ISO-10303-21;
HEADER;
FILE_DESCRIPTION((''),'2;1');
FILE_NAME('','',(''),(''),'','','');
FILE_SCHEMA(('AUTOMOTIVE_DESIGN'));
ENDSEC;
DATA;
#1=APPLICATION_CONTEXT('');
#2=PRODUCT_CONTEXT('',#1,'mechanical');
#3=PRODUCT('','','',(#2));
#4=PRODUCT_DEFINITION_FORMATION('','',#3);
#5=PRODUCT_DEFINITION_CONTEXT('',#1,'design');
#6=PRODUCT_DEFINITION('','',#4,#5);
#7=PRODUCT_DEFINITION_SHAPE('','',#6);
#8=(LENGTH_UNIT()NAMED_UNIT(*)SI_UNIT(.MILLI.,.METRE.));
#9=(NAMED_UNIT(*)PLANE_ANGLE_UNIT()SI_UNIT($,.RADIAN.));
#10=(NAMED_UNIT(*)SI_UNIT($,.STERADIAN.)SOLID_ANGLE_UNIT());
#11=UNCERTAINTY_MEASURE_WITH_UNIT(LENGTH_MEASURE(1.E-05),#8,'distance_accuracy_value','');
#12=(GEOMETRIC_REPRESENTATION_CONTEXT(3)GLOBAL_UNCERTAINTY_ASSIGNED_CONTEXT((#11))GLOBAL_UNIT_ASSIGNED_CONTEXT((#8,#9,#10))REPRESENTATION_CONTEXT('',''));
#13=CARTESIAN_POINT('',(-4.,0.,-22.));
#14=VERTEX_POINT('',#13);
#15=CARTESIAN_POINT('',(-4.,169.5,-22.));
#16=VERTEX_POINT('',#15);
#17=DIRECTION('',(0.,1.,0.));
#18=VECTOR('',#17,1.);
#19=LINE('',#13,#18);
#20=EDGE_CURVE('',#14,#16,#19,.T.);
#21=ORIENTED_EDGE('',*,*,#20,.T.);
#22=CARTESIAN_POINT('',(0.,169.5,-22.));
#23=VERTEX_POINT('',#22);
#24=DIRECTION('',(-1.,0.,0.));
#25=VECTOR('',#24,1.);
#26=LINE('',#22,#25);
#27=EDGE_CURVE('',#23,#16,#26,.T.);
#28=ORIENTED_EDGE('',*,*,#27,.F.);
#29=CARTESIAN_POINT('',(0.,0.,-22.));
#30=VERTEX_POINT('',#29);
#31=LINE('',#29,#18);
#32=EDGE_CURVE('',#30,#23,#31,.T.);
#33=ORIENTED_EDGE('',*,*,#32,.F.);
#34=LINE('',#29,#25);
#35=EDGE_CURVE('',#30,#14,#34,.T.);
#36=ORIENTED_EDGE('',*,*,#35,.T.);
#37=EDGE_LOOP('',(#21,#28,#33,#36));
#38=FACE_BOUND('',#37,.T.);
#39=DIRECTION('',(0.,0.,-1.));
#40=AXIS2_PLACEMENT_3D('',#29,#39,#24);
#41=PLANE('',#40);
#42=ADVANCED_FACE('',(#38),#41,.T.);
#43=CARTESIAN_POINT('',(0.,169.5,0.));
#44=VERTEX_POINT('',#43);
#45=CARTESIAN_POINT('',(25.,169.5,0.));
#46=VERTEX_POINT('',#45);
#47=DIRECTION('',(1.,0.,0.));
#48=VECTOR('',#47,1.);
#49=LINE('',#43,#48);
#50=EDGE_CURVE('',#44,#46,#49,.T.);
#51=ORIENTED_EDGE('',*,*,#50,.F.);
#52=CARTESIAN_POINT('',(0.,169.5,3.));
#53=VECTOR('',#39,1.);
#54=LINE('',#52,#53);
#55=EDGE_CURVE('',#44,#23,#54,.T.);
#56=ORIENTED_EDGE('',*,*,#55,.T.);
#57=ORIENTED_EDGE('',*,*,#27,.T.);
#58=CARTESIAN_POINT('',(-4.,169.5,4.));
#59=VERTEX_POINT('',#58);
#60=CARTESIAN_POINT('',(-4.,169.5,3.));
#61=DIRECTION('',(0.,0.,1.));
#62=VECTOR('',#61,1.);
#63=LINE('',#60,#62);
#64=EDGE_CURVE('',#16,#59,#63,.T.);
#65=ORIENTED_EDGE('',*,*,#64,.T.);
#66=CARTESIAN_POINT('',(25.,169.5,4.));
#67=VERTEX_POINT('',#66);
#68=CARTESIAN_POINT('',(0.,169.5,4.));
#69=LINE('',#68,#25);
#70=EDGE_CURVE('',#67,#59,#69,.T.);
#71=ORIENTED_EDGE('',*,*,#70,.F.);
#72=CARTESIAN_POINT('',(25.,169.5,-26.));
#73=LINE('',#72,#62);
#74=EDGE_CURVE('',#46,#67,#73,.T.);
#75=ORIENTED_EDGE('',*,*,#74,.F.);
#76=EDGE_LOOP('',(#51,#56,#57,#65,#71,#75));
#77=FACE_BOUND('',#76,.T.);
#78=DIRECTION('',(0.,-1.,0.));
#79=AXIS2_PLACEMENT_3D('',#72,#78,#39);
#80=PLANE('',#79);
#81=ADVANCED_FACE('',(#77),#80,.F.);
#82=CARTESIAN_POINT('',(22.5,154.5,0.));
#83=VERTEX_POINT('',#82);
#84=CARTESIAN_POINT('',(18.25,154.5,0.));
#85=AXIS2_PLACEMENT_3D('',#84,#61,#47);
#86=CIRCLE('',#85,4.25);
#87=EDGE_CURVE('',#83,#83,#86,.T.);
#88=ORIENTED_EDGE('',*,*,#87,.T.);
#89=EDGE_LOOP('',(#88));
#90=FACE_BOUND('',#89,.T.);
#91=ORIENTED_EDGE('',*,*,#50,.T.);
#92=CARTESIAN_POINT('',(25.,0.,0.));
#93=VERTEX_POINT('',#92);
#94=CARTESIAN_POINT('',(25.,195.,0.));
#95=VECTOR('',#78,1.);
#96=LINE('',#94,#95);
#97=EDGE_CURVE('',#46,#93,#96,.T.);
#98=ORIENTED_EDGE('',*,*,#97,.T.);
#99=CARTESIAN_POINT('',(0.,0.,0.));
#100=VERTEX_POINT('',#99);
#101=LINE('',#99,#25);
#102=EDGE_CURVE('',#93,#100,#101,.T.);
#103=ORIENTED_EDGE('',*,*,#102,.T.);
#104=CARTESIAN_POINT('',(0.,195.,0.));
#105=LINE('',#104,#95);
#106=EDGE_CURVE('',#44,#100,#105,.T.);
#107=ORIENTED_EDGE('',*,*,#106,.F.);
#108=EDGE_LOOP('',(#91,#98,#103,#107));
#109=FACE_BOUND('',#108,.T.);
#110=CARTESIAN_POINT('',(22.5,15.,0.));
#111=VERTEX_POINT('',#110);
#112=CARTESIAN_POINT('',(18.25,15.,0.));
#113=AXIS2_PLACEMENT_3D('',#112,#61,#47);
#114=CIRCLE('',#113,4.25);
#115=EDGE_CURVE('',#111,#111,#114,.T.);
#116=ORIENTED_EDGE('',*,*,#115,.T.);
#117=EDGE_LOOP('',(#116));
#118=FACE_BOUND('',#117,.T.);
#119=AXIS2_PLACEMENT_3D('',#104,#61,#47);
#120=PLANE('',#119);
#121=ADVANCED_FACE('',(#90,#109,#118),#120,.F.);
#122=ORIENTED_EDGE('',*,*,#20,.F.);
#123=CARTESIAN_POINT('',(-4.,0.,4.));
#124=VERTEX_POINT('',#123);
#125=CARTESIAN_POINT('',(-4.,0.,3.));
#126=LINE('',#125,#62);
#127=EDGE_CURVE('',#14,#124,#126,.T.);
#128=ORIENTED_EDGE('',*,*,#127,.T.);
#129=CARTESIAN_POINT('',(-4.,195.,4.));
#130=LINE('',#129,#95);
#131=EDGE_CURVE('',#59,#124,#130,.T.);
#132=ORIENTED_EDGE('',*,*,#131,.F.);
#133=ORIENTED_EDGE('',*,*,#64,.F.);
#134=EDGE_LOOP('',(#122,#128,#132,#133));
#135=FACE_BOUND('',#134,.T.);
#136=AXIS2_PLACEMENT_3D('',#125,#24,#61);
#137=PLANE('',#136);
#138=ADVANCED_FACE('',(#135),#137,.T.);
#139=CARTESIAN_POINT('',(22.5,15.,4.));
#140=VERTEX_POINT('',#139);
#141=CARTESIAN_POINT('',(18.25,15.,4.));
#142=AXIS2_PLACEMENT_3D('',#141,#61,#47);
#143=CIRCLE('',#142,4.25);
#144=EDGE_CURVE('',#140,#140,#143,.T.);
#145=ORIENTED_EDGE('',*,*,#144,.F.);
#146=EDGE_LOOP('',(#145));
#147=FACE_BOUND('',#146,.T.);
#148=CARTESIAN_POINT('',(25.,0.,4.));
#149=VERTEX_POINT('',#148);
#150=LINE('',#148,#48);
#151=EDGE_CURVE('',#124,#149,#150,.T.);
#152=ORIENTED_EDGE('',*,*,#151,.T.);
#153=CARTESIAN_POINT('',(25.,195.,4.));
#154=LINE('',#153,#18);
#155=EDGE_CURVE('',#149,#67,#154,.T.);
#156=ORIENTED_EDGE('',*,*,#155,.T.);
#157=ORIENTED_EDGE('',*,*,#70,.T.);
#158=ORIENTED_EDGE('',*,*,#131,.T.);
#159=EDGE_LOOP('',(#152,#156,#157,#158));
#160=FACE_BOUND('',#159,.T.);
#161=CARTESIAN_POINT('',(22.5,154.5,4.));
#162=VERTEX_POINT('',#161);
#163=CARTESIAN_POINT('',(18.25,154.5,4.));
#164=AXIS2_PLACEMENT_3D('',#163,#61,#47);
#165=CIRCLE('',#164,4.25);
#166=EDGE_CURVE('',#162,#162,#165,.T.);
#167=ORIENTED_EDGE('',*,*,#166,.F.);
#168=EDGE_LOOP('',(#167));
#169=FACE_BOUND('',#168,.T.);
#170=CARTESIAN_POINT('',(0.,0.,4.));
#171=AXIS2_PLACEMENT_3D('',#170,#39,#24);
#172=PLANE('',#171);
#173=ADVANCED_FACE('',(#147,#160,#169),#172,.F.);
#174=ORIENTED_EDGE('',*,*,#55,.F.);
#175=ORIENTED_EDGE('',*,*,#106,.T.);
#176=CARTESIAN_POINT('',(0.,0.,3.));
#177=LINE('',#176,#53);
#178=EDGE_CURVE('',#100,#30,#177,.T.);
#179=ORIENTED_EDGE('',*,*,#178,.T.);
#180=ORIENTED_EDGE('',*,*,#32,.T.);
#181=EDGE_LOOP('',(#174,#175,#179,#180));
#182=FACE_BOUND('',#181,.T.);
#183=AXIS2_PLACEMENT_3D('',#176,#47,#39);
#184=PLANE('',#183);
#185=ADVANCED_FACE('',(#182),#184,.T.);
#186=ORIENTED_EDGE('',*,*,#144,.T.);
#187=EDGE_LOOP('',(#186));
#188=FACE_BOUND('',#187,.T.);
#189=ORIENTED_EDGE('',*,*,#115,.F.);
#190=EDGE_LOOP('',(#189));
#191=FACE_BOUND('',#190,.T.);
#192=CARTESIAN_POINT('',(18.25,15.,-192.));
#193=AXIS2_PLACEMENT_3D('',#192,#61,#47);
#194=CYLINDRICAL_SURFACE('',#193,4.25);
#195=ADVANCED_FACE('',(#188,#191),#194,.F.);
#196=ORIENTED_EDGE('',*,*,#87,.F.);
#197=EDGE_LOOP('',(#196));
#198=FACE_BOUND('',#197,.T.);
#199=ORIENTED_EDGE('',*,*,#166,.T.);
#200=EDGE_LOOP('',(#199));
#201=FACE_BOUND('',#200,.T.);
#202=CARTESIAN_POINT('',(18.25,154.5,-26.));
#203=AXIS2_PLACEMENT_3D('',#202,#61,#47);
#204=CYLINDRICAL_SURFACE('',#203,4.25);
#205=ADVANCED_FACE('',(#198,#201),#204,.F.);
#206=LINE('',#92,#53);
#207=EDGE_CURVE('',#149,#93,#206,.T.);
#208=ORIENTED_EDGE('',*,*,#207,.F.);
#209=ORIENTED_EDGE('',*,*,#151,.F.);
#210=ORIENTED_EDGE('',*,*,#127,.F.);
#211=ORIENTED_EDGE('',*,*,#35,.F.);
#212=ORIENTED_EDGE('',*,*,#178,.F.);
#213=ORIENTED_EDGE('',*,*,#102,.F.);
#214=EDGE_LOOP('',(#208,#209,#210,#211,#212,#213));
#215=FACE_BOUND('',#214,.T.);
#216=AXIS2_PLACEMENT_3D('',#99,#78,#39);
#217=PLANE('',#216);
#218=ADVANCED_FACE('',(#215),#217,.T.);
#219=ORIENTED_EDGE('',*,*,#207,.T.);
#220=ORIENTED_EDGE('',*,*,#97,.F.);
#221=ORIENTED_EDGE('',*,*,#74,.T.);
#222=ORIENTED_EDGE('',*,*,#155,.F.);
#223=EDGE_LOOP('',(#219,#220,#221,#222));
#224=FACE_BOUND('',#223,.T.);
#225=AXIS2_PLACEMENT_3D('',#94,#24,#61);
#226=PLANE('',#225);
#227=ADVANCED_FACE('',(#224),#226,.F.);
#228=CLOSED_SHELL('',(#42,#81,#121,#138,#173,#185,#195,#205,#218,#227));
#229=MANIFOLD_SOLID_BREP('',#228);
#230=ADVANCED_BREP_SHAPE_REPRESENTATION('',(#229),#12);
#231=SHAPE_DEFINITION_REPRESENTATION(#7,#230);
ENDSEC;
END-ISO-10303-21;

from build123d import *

# Parameters (mm, degrees)
CROQUIS1_W              = 25
CROQUIS1_H              = 3
SALIENTE_EXTRUIR1_DEPTH = 195
CROQUIS2_R              = 4.25
CORTAR_EXTRUIR1_DEPTH   = 195
CROQUIS3_W              = 4
CROQUIS3_H              = 25
SALIENTE_EXTRUIR2_DEPTH = 195
SALIENTE_EXTRUIR3_START = 1
CROQUIS4_W              = 29
CROQUIS4_H              = 195
CROQUIS4_R              = 4.25
SALIENTE_EXTRUIR3_DEPTH = 1
CROQUIS5_W              = 80.668780501
CROQUIS5_H              = 25.5
CORTAR_EXTRUIR2_DEPTH   = 30
CROQUIS6_R              = 4.25
CORTAR_EXTRUIR3_DEPTH   = 30
CROQUIS7_R              = 4.25
SALIENTE_EXTRUIR4_DEPTH = 4


with BuildPart() as part:
    # Croquis1 → Saliente-Extruir1 (new body)
    with BuildSketch(Plane(origin=(0, 0, 0), x_dir=(1, 0, 0), z_dir=(0, 1, 0))):
        with Locations((12.5, -1.5)):
            Rectangle(CROQUIS1_W, CROQUIS1_H)
    extrude(amount=SALIENTE_EXTRUIR1_DEPTH)

    # Croquis2 → Cortar-Extruir1 (cut)
    with BuildSketch(Plane.XY.offset(3)):
        with Locations((18.25, 180)):
            Circle(CROQUIS2_R)
        with Locations((18.25, 97.5)):
            Circle(CROQUIS2_R)
        with Locations((18.25, 15)):
            Circle(CROQUIS2_R)
    extrude(amount=-CORTAR_EXTRUIR1_DEPTH, mode=Mode.SUBTRACT)

    # Croquis3 → Saliente-Extruir2 (add)
    with BuildSketch(Plane(origin=(0, 195, 0), x_dir=(1, 0, 0), z_dir=(0, 1, 0))):
        with Locations((-2, 9.5)):
            Rectangle(CROQUIS3_W, CROQUIS3_H)
    extrude(amount=-SALIENTE_EXTRUIR2_DEPTH)

    # Croquis4 → Saliente-Extruir3 (add)
    with BuildSketch(Plane.XY.offset(3).offset(SALIENTE_EXTRUIR3_START)):
        with Locations((10.5, 97.5)):
            Rectangle(CROQUIS4_W, CROQUIS4_H)
        with Locations((18.25, 15)):
            Circle(CROQUIS4_R, mode=Mode.SUBTRACT)
        with Locations((18.25, 97.5)):
            Circle(CROQUIS4_R, mode=Mode.SUBTRACT)
        with Locations((18.25, 180)):
            Circle(CROQUIS4_R, mode=Mode.SUBTRACT)
    extrude(amount=-SALIENTE_EXTRUIR3_DEPTH)

    # Croquis5 → Cortar-Extruir2 (cut)
    with BuildSketch(Plane.XY.offset(4)):
        with Locations((-15.334390251, 182.25)):
            Rectangle(CROQUIS5_W, CROQUIS5_H)
    extrude(amount=-CORTAR_EXTRUIR2_DEPTH, mode=Mode.SUBTRACT)

    # Croquis6 → Cortar-Extruir3 (cut)
    with BuildSketch(Plane.XY.offset(4)):
        with Locations((18.25, 154.5)):
            Circle(CROQUIS6_R)
    extrude(amount=-CORTAR_EXTRUIR3_DEPTH, mode=Mode.SUBTRACT)

    # Croquis7 → Saliente-Extruir4 (add)
    with BuildSketch(Plane.XY.offset(4)):
        with Locations((18.25, 97.5)):
            Circle(CROQUIS7_R)
    extrude(amount=-SALIENTE_EXTRUIR4_DEPTH)


solid = part.part
